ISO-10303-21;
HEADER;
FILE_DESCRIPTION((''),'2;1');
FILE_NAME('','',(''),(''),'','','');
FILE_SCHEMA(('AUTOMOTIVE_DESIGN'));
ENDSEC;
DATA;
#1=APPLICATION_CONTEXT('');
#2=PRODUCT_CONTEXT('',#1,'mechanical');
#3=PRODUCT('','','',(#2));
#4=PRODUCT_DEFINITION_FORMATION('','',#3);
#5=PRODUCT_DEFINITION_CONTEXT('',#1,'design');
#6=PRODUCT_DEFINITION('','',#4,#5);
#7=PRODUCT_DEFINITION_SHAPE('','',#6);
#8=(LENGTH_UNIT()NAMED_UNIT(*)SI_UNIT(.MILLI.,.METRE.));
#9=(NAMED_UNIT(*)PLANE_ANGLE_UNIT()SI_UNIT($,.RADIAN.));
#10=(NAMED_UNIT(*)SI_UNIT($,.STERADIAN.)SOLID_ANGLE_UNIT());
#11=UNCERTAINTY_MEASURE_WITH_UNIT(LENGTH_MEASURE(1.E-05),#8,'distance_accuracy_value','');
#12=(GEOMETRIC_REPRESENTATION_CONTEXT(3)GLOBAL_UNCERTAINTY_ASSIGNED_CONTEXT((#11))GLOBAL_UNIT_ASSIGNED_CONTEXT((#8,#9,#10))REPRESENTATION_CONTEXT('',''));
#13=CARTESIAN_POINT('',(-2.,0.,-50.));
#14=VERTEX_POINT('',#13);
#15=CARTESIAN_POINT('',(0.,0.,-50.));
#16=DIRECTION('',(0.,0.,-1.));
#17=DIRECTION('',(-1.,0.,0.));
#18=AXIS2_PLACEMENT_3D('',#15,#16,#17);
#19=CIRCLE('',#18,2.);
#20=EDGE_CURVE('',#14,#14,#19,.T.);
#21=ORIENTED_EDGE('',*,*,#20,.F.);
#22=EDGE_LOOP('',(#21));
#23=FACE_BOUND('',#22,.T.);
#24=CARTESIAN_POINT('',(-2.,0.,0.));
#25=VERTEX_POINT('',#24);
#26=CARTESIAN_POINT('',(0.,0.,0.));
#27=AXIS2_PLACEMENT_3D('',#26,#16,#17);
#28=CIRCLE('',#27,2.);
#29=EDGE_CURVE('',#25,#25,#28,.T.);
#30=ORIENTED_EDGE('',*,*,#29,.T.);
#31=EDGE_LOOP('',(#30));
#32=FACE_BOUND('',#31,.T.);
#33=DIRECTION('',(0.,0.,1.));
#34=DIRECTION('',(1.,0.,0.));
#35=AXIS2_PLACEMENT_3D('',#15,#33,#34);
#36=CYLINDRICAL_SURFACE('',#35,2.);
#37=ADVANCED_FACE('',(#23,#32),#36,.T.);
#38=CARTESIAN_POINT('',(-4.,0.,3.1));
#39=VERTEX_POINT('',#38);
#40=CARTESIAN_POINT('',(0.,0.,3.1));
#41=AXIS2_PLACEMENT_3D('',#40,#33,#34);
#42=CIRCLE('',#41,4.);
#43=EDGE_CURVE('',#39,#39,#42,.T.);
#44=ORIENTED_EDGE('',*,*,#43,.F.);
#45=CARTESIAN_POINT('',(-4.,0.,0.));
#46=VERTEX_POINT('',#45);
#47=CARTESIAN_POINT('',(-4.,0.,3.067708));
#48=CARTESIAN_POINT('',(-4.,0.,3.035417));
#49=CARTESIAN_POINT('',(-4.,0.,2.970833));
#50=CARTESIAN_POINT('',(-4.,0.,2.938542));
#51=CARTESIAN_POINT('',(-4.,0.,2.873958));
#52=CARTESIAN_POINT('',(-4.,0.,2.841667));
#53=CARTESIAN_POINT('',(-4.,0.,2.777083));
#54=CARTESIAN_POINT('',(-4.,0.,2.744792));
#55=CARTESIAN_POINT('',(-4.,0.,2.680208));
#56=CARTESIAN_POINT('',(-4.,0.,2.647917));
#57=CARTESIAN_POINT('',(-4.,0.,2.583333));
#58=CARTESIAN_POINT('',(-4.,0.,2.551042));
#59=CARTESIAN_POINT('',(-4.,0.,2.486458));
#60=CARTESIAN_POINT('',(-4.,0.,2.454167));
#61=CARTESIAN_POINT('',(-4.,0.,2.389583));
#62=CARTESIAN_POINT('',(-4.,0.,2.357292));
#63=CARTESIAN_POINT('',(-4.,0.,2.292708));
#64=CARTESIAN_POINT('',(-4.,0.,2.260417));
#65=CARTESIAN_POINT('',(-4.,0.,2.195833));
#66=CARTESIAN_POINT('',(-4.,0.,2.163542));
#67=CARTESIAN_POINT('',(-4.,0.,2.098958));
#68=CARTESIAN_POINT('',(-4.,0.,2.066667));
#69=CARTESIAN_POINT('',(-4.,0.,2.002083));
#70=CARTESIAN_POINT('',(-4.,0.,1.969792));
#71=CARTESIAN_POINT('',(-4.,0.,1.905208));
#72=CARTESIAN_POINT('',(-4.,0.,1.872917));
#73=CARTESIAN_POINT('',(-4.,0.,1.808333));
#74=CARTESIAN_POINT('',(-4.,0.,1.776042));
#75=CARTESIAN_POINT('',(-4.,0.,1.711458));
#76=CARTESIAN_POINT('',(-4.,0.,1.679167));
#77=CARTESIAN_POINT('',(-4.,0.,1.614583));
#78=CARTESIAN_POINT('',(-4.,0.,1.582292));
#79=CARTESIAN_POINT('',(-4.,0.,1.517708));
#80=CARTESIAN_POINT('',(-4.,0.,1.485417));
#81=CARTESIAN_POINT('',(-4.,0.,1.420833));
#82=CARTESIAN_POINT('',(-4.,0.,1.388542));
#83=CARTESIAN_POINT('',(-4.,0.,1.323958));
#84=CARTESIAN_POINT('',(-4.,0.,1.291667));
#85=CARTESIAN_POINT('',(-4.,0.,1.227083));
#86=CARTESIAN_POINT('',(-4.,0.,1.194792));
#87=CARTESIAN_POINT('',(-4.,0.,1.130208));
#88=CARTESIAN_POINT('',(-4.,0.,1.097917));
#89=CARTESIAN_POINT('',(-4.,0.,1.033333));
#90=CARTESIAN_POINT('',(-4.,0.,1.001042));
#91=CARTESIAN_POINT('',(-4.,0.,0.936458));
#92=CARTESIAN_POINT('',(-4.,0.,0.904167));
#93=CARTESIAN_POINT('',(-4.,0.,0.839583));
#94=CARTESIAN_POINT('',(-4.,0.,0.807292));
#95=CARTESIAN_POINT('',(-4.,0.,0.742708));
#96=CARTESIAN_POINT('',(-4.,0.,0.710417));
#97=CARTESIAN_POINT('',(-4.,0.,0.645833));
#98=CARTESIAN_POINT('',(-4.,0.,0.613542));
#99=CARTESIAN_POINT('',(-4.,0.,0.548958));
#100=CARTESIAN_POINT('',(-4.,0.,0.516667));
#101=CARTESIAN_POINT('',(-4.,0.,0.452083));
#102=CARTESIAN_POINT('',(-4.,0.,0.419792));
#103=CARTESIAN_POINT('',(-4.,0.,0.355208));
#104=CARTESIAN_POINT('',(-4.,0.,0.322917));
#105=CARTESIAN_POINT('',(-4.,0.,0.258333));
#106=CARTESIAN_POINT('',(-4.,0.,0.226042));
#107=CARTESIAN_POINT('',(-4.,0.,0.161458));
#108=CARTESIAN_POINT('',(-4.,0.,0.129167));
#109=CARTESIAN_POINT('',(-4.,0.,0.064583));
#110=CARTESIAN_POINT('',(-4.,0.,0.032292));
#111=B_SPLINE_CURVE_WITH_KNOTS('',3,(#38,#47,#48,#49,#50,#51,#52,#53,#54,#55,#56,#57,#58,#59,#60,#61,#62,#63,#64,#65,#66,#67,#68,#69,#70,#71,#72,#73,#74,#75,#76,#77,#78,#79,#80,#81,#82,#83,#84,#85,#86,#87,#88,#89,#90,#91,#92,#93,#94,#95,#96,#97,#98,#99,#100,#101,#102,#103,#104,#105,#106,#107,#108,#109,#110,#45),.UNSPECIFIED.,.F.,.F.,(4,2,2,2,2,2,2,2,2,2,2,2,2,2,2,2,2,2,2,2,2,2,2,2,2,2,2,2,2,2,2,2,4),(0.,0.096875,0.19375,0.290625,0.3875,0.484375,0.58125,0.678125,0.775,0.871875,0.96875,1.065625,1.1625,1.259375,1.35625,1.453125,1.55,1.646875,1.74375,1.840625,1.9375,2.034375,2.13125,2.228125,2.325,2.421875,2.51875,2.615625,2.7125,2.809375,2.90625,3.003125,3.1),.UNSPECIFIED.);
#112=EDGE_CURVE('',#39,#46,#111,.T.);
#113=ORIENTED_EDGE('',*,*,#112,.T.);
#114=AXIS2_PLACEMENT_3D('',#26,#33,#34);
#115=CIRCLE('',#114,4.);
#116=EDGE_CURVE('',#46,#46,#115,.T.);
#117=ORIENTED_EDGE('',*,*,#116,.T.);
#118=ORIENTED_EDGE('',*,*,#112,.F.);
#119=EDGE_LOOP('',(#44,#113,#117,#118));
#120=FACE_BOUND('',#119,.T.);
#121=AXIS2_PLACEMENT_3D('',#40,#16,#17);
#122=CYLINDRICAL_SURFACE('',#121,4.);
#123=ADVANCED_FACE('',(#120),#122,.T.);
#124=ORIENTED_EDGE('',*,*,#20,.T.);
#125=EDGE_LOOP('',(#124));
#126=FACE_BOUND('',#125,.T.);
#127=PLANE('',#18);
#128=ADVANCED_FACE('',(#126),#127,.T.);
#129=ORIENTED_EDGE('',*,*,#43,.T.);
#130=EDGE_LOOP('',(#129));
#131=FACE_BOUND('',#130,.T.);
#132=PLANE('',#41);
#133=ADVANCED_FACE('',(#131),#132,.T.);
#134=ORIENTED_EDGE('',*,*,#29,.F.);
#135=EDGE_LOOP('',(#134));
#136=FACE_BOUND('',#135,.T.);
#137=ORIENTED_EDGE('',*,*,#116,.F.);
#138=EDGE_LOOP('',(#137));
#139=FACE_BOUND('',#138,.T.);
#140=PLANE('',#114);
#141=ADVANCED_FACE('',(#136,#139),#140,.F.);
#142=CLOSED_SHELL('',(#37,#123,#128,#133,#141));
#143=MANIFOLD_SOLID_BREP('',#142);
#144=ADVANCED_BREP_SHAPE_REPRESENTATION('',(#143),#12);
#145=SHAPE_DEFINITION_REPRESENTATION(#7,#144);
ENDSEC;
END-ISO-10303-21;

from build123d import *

# Parameters (mm, degrees)
ESQUISSE1_R        = 4
BOSS_EXTRU_1_DEPTH = 3.1
ESQUISSE2_R        = 2
BOSS_EXTRU_2_DEPTH = 50


with BuildPart() as part:
    # Esquisse1 → Boss.-Extru.1 (new body)
    with BuildSketch(Plane.XY):
        with Locations(Location((0, 0, 0), (0, 0, 180))):
            Circle(ESQUISSE1_R)
    extrude(amount=BOSS_EXTRU_1_DEPTH)

    # Esquisse2 → Boss.-Extru.2 (add)
    with BuildSketch(Plane(origin=(0, 0, 0), x_dir=(-1, 0, 0), z_dir=(0, 0, -1))):
        Circle(ESQUISSE2_R)
    extrude(amount=BOSS_EXTRU_2_DEPTH)


solid = part.part
